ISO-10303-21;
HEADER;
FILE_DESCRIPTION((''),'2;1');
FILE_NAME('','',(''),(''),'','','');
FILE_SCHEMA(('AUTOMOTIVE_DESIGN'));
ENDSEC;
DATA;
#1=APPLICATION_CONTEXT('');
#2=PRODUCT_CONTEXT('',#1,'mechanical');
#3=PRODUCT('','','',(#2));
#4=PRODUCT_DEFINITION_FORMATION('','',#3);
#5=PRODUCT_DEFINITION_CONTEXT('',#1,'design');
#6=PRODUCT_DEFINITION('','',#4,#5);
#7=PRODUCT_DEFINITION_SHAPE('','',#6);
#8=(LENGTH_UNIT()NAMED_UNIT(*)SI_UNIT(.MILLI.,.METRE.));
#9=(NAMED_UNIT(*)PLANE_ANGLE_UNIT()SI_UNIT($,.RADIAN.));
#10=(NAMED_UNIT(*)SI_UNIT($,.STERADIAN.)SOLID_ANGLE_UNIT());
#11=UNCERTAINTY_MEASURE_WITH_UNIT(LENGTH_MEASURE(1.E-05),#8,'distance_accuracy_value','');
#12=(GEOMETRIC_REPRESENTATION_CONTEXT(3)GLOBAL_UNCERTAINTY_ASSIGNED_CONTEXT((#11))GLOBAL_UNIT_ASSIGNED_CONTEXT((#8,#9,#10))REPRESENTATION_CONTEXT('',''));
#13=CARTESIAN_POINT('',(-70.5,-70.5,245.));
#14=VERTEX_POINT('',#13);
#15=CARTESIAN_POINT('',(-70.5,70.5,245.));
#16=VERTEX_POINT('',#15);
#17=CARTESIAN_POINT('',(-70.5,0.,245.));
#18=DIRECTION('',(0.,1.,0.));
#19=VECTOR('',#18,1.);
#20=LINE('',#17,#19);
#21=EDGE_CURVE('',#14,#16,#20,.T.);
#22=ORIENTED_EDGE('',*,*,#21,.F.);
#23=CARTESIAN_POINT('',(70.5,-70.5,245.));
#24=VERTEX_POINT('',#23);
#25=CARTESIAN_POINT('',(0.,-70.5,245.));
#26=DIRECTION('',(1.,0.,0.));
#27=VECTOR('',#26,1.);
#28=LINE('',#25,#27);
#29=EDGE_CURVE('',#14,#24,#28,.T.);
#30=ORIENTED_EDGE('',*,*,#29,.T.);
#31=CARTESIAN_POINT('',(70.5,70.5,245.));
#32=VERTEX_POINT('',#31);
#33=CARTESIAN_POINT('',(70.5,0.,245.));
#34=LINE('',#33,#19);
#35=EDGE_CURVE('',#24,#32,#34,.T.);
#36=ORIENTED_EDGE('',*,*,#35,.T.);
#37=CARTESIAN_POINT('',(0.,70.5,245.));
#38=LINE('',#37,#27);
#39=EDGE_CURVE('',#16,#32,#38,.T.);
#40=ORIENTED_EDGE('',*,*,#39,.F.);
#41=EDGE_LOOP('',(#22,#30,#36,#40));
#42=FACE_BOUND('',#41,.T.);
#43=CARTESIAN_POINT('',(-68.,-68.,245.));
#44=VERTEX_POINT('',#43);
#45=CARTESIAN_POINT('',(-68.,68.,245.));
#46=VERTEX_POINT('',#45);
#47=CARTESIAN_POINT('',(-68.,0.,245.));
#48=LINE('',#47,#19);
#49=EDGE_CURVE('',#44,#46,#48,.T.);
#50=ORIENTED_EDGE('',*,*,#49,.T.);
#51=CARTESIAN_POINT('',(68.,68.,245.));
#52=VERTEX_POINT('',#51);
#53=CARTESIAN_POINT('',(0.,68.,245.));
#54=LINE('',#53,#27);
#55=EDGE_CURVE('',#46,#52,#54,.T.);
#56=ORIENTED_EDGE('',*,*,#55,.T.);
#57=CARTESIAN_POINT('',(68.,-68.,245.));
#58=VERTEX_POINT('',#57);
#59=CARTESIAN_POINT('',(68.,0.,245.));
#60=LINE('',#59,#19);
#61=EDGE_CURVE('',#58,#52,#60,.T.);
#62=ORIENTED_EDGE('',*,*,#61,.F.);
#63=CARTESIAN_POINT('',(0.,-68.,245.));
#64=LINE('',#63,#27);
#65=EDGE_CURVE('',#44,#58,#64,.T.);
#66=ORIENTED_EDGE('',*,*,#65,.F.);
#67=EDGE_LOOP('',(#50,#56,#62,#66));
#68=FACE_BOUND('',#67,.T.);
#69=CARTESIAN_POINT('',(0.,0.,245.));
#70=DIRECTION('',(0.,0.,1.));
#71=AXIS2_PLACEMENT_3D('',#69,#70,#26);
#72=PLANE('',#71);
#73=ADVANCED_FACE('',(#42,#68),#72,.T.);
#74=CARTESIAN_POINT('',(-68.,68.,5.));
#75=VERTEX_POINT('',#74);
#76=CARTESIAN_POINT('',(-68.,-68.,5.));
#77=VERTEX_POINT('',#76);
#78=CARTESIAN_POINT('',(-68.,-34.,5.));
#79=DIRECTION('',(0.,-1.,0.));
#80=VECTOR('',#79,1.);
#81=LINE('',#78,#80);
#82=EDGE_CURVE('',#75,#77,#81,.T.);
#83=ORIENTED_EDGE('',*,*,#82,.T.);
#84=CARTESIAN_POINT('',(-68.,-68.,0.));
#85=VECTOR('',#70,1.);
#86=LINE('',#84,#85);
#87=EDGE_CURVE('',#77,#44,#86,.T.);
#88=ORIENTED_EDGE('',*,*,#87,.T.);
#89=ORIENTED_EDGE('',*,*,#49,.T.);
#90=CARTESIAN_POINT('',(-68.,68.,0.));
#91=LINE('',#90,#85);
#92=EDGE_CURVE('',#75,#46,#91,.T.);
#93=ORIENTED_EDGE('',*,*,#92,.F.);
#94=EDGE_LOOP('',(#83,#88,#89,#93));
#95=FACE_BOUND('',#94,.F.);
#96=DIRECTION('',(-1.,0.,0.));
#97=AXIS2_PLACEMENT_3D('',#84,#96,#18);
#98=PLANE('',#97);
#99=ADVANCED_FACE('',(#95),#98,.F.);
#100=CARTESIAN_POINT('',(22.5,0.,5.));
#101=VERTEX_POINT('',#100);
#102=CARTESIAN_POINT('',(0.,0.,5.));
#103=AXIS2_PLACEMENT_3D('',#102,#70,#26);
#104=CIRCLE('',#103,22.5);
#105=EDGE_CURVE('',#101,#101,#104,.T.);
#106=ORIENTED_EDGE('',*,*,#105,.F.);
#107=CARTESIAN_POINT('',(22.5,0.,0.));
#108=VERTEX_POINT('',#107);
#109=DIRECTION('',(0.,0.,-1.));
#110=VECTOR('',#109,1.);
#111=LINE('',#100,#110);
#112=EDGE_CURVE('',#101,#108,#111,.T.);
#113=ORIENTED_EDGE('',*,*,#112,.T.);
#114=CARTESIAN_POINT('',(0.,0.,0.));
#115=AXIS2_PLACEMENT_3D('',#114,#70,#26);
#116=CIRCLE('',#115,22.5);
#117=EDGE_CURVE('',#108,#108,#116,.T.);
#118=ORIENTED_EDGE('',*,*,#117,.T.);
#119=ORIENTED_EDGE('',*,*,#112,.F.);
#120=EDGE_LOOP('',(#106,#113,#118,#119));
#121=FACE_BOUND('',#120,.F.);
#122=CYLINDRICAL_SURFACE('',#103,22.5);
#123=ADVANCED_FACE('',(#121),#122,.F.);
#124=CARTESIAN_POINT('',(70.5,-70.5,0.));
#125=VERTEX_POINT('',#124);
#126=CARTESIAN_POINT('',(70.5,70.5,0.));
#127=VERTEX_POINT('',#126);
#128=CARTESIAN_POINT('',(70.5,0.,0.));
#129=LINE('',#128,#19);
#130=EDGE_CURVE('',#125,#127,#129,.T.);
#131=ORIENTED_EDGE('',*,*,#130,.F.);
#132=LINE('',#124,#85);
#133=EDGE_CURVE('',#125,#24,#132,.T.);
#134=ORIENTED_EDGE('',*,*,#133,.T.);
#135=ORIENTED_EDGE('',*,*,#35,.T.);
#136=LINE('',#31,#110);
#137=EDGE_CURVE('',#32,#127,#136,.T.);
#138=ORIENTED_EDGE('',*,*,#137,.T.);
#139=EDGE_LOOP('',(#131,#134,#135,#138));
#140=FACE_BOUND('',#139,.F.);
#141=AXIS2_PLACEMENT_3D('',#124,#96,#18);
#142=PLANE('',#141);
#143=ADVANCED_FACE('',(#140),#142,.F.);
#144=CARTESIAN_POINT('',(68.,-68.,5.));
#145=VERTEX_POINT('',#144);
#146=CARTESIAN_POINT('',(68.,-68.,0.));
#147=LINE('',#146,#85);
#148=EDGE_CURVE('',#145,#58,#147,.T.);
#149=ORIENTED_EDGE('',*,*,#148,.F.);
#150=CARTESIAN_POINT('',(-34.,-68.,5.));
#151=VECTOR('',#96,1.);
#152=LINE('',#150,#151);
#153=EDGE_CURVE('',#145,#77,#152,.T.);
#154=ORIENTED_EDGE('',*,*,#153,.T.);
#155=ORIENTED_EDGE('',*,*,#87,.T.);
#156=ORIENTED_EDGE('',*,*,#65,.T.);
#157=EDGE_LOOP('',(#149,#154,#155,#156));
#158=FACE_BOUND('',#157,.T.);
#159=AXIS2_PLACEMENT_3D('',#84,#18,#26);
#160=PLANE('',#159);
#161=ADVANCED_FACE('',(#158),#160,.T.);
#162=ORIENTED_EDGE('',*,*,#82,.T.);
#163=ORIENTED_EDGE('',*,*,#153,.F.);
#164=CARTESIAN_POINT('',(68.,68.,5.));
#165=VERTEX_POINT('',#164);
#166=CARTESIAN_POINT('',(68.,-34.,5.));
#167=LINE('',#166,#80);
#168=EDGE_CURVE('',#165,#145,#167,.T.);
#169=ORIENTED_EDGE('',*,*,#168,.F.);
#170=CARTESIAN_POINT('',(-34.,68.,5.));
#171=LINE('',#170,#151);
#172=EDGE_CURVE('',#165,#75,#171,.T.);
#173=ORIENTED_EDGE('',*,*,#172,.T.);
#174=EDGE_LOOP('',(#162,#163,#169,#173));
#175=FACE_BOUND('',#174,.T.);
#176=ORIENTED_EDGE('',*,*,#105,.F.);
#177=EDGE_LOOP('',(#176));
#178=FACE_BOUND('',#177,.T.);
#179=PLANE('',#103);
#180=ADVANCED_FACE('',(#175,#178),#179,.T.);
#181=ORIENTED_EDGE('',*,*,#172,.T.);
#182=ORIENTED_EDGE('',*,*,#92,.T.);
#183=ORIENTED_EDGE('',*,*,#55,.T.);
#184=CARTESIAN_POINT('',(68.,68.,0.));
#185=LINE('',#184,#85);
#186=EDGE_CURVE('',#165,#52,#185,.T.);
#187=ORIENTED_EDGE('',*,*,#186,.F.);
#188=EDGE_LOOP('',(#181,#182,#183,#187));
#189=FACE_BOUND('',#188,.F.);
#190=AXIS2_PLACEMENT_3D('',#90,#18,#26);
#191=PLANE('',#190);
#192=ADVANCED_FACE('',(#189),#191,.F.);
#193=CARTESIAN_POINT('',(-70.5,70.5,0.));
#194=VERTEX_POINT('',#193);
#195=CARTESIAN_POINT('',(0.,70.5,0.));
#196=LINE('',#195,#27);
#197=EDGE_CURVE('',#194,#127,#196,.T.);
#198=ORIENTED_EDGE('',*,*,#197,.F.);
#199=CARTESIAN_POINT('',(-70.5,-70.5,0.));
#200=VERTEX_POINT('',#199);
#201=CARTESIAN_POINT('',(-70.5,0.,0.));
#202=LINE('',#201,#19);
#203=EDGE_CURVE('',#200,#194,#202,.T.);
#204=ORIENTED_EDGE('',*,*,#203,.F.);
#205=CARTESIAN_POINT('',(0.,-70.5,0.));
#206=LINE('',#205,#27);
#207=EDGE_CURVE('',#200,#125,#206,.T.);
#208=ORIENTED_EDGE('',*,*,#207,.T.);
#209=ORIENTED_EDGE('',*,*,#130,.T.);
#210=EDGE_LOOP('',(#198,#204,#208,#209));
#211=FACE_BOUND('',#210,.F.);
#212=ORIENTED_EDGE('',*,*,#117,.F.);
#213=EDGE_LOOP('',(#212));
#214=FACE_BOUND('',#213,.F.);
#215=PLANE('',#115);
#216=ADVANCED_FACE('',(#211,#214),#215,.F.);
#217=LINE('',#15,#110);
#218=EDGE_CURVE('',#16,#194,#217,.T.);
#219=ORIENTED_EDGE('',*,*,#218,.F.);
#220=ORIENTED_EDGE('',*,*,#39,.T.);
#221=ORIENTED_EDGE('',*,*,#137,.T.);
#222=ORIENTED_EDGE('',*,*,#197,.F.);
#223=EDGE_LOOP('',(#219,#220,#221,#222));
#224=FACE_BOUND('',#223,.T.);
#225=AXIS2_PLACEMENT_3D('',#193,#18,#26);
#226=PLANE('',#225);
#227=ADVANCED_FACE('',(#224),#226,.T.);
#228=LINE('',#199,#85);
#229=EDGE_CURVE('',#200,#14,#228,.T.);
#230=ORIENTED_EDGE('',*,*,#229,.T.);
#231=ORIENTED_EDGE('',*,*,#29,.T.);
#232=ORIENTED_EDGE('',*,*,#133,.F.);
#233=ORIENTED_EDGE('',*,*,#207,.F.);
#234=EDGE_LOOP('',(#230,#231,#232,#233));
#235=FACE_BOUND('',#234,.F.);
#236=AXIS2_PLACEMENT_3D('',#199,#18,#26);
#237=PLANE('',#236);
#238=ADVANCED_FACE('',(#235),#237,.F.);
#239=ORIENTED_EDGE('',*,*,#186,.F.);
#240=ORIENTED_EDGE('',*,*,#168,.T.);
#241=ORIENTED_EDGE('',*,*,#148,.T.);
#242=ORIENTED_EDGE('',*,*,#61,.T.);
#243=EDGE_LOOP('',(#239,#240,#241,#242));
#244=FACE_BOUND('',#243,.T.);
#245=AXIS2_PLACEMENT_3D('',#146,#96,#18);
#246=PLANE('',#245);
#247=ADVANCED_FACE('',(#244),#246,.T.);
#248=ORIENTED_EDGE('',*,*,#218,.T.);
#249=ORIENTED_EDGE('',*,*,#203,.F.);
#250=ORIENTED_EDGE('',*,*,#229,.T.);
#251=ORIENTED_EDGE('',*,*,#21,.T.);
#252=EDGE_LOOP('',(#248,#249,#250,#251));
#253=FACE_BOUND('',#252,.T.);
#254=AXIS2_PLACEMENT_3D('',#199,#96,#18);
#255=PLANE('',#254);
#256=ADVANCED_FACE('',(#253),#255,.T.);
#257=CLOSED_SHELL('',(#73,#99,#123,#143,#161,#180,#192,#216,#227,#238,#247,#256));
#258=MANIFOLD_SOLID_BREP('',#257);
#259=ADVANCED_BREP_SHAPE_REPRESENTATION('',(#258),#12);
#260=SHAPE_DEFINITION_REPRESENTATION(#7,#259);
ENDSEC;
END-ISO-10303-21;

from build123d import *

# Parameters (mm, degrees)
F0_W     = 141
F0_H     = 141
F0_W_2   = 136
F0_H_2   = 136
F1_DEPTH = 5
F2_DEPTH = 245
F3_R     = 22.5
F4_DEPTH = 25


with BuildPart() as f1:
    # F0 (on Top) → F1 (new body)
    with BuildSketch(Plane.XY):
        Rectangle(F0_W, F0_H)
        Rectangle(F0_W_2, F0_H_2, mode=Mode.SUBTRACT)
        Rectangle(F0_W_2, F0_H_2)
    extrude(amount=F1_DEPTH)

    # F0 (on Top) → F2 (join)
    with BuildSketch(Plane.XY):
        Rectangle(F0_W, F0_H)
        Rectangle(F0_W_2, F0_H_2, mode=Mode.SUBTRACT)
    extrude(amount=F2_DEPTH)

    # F3 (on face) → F4 (cut)
    with BuildSketch(Plane.XY.offset(5)):
        Circle(F3_R)
    extrude(amount=-F4_DEPTH, mode=Mode.SUBTRACT)


solid = f1.part
